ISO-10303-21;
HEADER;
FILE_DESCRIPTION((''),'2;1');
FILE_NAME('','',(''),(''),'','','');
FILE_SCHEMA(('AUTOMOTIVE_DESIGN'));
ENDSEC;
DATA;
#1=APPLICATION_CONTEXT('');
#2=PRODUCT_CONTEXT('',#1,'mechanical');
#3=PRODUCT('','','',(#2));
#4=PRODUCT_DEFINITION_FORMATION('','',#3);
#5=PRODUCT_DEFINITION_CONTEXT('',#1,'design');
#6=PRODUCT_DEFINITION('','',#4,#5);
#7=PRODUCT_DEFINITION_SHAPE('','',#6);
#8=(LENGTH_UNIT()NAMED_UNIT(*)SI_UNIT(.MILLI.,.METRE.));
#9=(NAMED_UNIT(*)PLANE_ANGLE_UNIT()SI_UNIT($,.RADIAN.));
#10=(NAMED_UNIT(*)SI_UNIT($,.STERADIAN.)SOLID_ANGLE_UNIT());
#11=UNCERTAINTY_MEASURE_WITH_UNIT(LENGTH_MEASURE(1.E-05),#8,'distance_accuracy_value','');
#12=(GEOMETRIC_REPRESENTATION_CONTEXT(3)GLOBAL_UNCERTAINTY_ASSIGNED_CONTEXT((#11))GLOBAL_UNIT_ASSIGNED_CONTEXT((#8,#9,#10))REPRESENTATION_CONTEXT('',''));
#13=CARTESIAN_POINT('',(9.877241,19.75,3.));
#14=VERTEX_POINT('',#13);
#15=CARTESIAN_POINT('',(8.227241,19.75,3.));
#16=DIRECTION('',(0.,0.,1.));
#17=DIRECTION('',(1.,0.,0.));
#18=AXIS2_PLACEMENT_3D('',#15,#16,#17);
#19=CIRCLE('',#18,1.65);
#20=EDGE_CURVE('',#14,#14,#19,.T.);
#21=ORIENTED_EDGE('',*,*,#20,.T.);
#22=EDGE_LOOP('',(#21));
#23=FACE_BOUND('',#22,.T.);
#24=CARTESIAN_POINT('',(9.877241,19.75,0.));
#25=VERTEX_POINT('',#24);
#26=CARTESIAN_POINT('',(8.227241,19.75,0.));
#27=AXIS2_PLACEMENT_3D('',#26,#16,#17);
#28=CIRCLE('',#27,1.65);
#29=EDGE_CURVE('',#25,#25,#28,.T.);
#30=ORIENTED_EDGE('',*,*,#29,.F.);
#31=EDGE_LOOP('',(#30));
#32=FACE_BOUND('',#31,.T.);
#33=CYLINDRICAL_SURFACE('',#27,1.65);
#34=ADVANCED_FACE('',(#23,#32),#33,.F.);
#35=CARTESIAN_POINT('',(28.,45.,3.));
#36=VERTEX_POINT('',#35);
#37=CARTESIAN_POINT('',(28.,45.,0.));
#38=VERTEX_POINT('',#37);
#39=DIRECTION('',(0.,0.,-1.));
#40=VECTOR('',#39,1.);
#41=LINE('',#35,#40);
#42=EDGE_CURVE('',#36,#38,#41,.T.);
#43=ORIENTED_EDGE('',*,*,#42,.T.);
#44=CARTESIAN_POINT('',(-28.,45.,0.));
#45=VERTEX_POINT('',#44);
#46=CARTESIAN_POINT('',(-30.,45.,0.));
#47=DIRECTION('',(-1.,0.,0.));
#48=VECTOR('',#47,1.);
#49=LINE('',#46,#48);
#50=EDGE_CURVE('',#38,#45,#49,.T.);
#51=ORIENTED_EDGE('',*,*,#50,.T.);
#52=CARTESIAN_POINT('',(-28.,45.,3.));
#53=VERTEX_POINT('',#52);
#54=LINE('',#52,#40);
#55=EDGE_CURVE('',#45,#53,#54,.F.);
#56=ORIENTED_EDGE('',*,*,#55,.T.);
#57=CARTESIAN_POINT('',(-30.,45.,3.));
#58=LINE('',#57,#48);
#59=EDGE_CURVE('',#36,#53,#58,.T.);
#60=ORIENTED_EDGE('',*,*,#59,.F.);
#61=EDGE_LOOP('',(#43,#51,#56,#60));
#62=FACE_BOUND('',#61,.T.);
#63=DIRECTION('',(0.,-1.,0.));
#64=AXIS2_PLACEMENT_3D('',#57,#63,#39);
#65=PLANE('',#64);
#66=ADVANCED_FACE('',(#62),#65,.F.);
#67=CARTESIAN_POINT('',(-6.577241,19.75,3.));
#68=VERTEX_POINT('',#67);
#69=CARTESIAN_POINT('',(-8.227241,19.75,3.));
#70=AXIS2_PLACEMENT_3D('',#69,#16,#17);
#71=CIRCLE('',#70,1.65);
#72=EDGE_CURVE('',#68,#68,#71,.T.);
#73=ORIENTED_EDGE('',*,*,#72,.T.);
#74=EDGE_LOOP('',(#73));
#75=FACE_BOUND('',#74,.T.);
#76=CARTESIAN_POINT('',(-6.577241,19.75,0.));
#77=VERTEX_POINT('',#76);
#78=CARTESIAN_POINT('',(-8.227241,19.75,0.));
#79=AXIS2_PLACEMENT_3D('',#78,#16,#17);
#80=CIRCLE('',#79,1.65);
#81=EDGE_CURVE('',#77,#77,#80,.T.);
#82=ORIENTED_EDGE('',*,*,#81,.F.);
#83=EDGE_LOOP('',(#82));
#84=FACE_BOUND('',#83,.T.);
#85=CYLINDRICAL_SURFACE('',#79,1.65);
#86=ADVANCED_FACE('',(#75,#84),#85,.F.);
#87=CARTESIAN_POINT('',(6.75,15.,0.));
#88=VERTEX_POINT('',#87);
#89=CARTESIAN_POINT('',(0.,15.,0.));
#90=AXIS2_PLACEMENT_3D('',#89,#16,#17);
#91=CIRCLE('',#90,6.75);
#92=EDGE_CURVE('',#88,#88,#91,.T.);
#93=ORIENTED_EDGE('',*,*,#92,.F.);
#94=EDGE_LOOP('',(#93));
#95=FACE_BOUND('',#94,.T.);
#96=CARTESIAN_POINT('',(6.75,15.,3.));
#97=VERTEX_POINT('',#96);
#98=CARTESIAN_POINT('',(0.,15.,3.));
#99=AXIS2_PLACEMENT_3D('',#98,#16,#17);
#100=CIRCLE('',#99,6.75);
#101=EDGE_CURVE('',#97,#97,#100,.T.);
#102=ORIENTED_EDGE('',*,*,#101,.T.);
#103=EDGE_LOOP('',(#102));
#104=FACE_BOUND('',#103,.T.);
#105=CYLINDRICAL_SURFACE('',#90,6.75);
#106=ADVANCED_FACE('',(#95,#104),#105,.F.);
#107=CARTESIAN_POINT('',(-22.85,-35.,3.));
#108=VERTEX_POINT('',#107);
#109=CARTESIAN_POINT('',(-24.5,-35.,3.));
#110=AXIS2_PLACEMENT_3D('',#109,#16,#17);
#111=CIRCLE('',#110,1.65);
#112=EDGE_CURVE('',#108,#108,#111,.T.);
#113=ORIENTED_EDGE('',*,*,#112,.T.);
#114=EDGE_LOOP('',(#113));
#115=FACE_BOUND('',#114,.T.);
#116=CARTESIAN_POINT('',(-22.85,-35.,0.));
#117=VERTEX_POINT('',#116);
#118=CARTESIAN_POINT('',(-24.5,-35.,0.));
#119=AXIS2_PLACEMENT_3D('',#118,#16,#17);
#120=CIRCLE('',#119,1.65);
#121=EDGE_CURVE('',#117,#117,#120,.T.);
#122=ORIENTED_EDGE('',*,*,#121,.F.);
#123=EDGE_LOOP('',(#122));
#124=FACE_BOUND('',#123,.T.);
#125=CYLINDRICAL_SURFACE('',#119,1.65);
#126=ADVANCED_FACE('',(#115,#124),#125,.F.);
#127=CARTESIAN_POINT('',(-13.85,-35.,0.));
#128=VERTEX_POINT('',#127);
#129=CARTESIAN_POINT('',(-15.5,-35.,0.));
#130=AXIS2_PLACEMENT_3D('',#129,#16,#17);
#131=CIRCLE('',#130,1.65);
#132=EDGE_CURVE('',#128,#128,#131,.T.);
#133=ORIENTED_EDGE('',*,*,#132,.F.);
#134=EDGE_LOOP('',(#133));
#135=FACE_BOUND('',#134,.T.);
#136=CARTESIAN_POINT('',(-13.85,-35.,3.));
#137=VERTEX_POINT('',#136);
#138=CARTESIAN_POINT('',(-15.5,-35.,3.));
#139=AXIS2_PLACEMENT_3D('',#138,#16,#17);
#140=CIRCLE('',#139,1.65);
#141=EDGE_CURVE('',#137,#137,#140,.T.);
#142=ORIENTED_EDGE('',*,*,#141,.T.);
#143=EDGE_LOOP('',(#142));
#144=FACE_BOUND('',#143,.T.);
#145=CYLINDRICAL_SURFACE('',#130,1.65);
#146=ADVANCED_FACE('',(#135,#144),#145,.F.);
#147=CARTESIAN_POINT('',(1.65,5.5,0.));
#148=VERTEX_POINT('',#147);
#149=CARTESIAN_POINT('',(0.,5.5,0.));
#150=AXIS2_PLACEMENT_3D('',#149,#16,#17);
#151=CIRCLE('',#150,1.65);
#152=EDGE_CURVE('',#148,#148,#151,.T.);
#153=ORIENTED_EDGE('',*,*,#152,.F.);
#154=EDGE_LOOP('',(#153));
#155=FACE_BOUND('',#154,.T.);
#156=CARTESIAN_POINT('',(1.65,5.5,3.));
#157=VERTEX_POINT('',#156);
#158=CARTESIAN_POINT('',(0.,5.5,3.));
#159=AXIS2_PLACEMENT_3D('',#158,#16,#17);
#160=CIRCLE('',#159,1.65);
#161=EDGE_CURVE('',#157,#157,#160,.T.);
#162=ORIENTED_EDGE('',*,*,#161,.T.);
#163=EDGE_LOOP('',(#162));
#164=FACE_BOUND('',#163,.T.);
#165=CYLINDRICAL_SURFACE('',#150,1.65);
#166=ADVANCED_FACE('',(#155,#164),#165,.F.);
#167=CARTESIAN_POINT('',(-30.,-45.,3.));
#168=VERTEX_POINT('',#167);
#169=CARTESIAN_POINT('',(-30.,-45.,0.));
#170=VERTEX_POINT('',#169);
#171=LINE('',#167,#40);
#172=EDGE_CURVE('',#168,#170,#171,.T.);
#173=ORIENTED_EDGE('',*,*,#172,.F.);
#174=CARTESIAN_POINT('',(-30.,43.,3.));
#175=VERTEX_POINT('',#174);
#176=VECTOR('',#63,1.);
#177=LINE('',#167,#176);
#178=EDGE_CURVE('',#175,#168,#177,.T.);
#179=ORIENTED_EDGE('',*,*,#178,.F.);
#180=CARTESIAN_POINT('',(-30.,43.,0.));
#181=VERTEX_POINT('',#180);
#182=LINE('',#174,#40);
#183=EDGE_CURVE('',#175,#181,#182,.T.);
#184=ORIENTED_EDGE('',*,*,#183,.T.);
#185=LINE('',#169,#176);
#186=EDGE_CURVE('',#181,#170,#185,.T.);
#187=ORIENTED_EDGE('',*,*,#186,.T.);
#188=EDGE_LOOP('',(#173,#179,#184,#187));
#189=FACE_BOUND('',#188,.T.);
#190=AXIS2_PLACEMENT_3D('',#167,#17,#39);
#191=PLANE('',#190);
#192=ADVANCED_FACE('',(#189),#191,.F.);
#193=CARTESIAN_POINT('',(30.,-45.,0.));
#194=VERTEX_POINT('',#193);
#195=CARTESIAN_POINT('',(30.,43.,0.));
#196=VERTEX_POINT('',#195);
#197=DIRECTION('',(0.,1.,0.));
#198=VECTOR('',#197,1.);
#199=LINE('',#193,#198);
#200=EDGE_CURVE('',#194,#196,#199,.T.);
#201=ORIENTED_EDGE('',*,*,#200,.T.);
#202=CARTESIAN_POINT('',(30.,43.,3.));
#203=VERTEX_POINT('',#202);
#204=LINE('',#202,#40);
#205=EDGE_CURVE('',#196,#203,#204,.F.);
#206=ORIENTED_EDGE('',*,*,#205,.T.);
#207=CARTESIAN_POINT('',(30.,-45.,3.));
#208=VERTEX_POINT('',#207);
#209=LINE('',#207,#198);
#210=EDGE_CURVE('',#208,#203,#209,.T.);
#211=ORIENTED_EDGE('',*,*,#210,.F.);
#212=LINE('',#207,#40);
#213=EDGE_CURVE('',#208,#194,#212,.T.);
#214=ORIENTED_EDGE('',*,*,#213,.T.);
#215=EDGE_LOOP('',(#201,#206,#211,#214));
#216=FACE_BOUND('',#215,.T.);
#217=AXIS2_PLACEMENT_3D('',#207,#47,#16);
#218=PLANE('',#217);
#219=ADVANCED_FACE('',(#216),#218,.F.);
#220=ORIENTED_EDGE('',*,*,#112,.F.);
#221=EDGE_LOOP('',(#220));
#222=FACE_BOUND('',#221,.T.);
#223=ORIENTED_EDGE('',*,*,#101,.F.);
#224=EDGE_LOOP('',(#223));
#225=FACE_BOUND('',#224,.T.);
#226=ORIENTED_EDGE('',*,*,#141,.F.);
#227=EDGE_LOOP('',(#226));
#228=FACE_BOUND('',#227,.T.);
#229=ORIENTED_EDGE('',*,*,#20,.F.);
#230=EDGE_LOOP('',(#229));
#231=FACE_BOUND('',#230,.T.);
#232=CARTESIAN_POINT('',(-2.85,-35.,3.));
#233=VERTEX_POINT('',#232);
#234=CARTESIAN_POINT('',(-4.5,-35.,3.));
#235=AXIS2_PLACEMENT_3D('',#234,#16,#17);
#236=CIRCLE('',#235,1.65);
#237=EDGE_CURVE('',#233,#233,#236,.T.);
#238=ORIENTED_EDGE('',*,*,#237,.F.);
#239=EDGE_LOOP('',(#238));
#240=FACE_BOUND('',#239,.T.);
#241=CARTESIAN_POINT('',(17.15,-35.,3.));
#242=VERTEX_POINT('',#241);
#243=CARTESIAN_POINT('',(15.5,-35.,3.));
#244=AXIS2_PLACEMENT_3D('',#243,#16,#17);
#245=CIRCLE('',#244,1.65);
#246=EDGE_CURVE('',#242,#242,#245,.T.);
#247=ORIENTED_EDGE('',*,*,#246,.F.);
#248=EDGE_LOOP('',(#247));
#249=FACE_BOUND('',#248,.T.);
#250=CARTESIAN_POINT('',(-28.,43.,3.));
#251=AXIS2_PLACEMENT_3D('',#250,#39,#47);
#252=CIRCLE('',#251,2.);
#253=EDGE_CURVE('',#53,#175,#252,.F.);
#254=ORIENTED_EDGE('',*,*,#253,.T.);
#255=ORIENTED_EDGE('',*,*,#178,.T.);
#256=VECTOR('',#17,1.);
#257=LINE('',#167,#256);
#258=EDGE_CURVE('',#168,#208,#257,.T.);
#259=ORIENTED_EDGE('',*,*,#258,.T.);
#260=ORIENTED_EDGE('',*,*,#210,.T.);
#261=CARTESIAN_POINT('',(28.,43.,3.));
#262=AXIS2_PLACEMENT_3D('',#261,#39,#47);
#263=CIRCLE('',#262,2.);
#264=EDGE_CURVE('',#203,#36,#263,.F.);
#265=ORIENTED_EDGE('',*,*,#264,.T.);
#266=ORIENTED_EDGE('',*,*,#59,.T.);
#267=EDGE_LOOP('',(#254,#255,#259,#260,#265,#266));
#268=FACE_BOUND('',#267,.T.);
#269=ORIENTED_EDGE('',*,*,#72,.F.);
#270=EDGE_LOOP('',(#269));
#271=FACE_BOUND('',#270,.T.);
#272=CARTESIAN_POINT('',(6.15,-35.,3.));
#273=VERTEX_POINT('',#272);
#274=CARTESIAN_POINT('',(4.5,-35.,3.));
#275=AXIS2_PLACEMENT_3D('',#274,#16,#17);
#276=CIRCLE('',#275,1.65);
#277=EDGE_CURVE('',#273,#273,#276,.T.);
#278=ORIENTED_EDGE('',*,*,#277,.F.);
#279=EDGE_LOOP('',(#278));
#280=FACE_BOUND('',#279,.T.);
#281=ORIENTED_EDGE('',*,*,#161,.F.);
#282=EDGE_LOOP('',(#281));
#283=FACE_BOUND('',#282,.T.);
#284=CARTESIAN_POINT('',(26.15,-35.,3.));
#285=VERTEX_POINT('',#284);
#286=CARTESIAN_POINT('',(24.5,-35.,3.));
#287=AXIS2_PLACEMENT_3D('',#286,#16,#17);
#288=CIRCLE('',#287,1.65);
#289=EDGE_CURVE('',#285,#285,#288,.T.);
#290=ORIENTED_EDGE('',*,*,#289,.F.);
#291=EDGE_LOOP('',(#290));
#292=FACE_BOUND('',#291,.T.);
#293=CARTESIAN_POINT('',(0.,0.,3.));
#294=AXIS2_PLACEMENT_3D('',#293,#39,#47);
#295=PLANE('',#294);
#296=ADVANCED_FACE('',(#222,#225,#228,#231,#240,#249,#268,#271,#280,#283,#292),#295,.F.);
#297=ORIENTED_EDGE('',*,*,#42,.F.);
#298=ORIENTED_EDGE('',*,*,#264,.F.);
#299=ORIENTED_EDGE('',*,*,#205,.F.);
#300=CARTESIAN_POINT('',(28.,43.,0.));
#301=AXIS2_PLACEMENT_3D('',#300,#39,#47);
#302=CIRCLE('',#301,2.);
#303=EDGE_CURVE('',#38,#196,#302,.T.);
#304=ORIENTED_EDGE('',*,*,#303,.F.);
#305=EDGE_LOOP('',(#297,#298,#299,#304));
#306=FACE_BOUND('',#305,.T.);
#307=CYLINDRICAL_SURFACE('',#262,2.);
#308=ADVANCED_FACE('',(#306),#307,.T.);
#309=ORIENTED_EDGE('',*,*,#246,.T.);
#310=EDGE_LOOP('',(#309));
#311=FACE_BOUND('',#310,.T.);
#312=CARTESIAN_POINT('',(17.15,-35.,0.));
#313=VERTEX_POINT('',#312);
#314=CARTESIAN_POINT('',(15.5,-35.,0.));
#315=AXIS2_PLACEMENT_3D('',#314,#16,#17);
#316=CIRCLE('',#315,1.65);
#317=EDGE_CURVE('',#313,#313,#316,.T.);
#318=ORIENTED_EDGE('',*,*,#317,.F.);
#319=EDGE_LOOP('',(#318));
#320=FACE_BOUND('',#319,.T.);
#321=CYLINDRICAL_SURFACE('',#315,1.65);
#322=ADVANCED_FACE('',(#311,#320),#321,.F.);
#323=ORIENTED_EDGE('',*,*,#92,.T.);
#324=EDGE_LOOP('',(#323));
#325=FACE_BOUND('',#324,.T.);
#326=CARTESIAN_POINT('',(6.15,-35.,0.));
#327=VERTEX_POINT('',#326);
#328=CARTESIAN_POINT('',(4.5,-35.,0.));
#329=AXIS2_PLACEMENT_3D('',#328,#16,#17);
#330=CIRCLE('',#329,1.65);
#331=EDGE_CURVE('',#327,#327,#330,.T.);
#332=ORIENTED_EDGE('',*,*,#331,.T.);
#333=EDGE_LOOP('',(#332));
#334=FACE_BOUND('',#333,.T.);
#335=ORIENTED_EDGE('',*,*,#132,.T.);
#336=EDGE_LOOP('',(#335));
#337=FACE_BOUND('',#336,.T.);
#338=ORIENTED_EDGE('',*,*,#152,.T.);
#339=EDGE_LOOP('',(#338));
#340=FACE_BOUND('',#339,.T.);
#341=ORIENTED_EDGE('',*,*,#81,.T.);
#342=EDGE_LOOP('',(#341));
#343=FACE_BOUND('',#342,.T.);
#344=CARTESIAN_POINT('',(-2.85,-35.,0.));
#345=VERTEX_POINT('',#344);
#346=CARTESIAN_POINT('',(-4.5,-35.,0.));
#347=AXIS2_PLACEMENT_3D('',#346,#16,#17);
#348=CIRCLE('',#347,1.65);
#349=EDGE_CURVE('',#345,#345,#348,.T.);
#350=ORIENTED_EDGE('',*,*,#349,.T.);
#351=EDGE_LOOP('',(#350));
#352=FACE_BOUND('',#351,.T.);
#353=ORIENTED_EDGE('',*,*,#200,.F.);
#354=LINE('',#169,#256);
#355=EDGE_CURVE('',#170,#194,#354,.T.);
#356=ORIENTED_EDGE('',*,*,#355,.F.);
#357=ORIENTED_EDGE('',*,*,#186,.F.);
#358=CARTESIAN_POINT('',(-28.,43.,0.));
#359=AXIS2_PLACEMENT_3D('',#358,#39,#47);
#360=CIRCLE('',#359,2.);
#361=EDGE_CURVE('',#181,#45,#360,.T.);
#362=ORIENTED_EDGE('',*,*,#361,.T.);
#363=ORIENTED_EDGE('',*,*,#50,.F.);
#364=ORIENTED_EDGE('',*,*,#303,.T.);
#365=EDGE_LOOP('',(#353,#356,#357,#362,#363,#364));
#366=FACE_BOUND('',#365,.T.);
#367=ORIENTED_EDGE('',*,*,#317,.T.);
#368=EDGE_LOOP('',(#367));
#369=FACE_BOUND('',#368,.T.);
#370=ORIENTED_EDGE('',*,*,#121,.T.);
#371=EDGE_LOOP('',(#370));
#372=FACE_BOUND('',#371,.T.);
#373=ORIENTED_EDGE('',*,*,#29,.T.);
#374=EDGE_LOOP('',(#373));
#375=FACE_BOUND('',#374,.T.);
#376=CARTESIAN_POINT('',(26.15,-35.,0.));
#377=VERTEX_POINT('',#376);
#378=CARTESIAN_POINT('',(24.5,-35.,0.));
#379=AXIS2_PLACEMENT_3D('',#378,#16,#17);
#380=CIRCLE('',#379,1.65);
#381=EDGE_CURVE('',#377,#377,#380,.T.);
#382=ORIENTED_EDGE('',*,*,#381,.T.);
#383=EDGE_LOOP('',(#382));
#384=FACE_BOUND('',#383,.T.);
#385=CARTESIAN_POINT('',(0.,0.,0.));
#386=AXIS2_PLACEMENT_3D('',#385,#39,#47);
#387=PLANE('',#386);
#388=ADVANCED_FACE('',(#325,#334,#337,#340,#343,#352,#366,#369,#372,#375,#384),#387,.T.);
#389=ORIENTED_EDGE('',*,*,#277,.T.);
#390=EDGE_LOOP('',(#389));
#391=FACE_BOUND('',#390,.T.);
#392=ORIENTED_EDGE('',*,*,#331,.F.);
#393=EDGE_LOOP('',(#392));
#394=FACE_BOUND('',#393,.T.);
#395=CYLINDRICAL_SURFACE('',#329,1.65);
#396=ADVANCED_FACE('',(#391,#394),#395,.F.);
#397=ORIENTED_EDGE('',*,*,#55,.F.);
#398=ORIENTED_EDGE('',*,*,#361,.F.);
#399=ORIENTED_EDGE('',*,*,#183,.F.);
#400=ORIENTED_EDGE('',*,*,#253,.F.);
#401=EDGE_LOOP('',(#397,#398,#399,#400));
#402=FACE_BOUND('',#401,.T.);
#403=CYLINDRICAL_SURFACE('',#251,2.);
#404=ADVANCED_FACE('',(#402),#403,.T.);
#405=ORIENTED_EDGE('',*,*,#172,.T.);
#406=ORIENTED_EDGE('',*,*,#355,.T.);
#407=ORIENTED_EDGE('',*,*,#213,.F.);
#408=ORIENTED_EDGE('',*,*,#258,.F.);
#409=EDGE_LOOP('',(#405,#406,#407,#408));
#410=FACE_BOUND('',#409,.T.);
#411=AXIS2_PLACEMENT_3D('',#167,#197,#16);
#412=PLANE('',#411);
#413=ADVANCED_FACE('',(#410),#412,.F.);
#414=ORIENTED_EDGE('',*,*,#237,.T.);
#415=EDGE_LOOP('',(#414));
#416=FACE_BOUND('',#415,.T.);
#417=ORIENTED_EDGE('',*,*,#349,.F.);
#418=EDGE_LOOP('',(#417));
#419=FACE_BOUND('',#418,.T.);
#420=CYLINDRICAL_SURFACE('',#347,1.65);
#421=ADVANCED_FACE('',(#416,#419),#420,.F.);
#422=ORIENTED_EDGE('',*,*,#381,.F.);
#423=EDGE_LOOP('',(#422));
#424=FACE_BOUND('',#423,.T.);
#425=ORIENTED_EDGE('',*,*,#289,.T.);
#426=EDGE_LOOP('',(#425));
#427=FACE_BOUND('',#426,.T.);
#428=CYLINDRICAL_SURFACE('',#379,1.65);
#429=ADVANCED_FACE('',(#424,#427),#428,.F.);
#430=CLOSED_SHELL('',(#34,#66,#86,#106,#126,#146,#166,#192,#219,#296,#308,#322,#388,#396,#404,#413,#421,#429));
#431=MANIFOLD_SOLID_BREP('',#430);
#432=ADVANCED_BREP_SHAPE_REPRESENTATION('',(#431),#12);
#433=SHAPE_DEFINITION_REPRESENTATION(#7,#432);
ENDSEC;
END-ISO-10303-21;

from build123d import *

# Parameters (mm, degrees)
SKETCH_1_W          = 60
SKETCH_1_H          = 90
EXTRUDE_1_DEPTH     = 3
SKETCH_2_R          = 1.65
CUT_EXTRUDE_1_DEPTH = 3
SKETCH_3_R          = 1.65
CUT_EXTRUDE_2_DEPTH = 3
SKETCH_4_R          = 6.75
CUT_EXTRUDE_3_DEPTH = 3
FILLET_1_R          = 2


with BuildPart() as part:
    # 草图1 → 凸台-拉伸1 (new body)
    with BuildSketch(Plane.XY):
        Rectangle(SKETCH_1_W, SKETCH_1_H)
    extrude(amount=EXTRUDE_1_DEPTH)

    # 草图2 → 切除-拉伸1 (cut)
    with BuildSketch(Plane.XY.offset(3)):
        with Locations((0, 5.5)):
            Circle(SKETCH_2_R)
        with Locations((-8.227241336, 19.75)):
            Circle(SKETCH_2_R)
        with Locations((8.227241336, 19.75)):
            Circle(SKETCH_2_R)
    extrude(amount=-CUT_EXTRUDE_1_DEPTH, mode=Mode.SUBTRACT)

    # 草图3 → 切除-拉伸2 (cut)
    with BuildSketch(Plane.XY.offset(3)):
        with Locations((4.5, -35)):
            Circle(SKETCH_3_R)
        with Locations((-4.5, -35)):
            Circle(SKETCH_3_R)
        with Locations((24.5, -35)):
            Circle(SKETCH_3_R)
        with Locations((15.5, -35)):
            Circle(SKETCH_3_R)
        with Locations((-24.5, -35)):
            Circle(SKETCH_3_R)
        with Locations((-15.5, -35)):
            Circle(SKETCH_3_R)
    extrude(amount=-CUT_EXTRUDE_2_DEPTH, mode=Mode.SUBTRACT)

    # 草图4 → 切除-拉伸3 (cut)
    with BuildSketch(Plane.XY.offset(3)):
        with Locations((0, 15)):
            Circle(SKETCH_4_R)
    extrude(amount=-CUT_EXTRUDE_3_DEPTH, mode=Mode.SUBTRACT)

    # 圆角1
    fillet_1_edges = [part.edges().sort_by_distance(p)[0] for p in [
        (-30, 45, 1.5),
        (30, 45, 1.5),
    ]]
    fillet(fillet_1_edges, radius=FILLET_1_R)


solid = part.part
